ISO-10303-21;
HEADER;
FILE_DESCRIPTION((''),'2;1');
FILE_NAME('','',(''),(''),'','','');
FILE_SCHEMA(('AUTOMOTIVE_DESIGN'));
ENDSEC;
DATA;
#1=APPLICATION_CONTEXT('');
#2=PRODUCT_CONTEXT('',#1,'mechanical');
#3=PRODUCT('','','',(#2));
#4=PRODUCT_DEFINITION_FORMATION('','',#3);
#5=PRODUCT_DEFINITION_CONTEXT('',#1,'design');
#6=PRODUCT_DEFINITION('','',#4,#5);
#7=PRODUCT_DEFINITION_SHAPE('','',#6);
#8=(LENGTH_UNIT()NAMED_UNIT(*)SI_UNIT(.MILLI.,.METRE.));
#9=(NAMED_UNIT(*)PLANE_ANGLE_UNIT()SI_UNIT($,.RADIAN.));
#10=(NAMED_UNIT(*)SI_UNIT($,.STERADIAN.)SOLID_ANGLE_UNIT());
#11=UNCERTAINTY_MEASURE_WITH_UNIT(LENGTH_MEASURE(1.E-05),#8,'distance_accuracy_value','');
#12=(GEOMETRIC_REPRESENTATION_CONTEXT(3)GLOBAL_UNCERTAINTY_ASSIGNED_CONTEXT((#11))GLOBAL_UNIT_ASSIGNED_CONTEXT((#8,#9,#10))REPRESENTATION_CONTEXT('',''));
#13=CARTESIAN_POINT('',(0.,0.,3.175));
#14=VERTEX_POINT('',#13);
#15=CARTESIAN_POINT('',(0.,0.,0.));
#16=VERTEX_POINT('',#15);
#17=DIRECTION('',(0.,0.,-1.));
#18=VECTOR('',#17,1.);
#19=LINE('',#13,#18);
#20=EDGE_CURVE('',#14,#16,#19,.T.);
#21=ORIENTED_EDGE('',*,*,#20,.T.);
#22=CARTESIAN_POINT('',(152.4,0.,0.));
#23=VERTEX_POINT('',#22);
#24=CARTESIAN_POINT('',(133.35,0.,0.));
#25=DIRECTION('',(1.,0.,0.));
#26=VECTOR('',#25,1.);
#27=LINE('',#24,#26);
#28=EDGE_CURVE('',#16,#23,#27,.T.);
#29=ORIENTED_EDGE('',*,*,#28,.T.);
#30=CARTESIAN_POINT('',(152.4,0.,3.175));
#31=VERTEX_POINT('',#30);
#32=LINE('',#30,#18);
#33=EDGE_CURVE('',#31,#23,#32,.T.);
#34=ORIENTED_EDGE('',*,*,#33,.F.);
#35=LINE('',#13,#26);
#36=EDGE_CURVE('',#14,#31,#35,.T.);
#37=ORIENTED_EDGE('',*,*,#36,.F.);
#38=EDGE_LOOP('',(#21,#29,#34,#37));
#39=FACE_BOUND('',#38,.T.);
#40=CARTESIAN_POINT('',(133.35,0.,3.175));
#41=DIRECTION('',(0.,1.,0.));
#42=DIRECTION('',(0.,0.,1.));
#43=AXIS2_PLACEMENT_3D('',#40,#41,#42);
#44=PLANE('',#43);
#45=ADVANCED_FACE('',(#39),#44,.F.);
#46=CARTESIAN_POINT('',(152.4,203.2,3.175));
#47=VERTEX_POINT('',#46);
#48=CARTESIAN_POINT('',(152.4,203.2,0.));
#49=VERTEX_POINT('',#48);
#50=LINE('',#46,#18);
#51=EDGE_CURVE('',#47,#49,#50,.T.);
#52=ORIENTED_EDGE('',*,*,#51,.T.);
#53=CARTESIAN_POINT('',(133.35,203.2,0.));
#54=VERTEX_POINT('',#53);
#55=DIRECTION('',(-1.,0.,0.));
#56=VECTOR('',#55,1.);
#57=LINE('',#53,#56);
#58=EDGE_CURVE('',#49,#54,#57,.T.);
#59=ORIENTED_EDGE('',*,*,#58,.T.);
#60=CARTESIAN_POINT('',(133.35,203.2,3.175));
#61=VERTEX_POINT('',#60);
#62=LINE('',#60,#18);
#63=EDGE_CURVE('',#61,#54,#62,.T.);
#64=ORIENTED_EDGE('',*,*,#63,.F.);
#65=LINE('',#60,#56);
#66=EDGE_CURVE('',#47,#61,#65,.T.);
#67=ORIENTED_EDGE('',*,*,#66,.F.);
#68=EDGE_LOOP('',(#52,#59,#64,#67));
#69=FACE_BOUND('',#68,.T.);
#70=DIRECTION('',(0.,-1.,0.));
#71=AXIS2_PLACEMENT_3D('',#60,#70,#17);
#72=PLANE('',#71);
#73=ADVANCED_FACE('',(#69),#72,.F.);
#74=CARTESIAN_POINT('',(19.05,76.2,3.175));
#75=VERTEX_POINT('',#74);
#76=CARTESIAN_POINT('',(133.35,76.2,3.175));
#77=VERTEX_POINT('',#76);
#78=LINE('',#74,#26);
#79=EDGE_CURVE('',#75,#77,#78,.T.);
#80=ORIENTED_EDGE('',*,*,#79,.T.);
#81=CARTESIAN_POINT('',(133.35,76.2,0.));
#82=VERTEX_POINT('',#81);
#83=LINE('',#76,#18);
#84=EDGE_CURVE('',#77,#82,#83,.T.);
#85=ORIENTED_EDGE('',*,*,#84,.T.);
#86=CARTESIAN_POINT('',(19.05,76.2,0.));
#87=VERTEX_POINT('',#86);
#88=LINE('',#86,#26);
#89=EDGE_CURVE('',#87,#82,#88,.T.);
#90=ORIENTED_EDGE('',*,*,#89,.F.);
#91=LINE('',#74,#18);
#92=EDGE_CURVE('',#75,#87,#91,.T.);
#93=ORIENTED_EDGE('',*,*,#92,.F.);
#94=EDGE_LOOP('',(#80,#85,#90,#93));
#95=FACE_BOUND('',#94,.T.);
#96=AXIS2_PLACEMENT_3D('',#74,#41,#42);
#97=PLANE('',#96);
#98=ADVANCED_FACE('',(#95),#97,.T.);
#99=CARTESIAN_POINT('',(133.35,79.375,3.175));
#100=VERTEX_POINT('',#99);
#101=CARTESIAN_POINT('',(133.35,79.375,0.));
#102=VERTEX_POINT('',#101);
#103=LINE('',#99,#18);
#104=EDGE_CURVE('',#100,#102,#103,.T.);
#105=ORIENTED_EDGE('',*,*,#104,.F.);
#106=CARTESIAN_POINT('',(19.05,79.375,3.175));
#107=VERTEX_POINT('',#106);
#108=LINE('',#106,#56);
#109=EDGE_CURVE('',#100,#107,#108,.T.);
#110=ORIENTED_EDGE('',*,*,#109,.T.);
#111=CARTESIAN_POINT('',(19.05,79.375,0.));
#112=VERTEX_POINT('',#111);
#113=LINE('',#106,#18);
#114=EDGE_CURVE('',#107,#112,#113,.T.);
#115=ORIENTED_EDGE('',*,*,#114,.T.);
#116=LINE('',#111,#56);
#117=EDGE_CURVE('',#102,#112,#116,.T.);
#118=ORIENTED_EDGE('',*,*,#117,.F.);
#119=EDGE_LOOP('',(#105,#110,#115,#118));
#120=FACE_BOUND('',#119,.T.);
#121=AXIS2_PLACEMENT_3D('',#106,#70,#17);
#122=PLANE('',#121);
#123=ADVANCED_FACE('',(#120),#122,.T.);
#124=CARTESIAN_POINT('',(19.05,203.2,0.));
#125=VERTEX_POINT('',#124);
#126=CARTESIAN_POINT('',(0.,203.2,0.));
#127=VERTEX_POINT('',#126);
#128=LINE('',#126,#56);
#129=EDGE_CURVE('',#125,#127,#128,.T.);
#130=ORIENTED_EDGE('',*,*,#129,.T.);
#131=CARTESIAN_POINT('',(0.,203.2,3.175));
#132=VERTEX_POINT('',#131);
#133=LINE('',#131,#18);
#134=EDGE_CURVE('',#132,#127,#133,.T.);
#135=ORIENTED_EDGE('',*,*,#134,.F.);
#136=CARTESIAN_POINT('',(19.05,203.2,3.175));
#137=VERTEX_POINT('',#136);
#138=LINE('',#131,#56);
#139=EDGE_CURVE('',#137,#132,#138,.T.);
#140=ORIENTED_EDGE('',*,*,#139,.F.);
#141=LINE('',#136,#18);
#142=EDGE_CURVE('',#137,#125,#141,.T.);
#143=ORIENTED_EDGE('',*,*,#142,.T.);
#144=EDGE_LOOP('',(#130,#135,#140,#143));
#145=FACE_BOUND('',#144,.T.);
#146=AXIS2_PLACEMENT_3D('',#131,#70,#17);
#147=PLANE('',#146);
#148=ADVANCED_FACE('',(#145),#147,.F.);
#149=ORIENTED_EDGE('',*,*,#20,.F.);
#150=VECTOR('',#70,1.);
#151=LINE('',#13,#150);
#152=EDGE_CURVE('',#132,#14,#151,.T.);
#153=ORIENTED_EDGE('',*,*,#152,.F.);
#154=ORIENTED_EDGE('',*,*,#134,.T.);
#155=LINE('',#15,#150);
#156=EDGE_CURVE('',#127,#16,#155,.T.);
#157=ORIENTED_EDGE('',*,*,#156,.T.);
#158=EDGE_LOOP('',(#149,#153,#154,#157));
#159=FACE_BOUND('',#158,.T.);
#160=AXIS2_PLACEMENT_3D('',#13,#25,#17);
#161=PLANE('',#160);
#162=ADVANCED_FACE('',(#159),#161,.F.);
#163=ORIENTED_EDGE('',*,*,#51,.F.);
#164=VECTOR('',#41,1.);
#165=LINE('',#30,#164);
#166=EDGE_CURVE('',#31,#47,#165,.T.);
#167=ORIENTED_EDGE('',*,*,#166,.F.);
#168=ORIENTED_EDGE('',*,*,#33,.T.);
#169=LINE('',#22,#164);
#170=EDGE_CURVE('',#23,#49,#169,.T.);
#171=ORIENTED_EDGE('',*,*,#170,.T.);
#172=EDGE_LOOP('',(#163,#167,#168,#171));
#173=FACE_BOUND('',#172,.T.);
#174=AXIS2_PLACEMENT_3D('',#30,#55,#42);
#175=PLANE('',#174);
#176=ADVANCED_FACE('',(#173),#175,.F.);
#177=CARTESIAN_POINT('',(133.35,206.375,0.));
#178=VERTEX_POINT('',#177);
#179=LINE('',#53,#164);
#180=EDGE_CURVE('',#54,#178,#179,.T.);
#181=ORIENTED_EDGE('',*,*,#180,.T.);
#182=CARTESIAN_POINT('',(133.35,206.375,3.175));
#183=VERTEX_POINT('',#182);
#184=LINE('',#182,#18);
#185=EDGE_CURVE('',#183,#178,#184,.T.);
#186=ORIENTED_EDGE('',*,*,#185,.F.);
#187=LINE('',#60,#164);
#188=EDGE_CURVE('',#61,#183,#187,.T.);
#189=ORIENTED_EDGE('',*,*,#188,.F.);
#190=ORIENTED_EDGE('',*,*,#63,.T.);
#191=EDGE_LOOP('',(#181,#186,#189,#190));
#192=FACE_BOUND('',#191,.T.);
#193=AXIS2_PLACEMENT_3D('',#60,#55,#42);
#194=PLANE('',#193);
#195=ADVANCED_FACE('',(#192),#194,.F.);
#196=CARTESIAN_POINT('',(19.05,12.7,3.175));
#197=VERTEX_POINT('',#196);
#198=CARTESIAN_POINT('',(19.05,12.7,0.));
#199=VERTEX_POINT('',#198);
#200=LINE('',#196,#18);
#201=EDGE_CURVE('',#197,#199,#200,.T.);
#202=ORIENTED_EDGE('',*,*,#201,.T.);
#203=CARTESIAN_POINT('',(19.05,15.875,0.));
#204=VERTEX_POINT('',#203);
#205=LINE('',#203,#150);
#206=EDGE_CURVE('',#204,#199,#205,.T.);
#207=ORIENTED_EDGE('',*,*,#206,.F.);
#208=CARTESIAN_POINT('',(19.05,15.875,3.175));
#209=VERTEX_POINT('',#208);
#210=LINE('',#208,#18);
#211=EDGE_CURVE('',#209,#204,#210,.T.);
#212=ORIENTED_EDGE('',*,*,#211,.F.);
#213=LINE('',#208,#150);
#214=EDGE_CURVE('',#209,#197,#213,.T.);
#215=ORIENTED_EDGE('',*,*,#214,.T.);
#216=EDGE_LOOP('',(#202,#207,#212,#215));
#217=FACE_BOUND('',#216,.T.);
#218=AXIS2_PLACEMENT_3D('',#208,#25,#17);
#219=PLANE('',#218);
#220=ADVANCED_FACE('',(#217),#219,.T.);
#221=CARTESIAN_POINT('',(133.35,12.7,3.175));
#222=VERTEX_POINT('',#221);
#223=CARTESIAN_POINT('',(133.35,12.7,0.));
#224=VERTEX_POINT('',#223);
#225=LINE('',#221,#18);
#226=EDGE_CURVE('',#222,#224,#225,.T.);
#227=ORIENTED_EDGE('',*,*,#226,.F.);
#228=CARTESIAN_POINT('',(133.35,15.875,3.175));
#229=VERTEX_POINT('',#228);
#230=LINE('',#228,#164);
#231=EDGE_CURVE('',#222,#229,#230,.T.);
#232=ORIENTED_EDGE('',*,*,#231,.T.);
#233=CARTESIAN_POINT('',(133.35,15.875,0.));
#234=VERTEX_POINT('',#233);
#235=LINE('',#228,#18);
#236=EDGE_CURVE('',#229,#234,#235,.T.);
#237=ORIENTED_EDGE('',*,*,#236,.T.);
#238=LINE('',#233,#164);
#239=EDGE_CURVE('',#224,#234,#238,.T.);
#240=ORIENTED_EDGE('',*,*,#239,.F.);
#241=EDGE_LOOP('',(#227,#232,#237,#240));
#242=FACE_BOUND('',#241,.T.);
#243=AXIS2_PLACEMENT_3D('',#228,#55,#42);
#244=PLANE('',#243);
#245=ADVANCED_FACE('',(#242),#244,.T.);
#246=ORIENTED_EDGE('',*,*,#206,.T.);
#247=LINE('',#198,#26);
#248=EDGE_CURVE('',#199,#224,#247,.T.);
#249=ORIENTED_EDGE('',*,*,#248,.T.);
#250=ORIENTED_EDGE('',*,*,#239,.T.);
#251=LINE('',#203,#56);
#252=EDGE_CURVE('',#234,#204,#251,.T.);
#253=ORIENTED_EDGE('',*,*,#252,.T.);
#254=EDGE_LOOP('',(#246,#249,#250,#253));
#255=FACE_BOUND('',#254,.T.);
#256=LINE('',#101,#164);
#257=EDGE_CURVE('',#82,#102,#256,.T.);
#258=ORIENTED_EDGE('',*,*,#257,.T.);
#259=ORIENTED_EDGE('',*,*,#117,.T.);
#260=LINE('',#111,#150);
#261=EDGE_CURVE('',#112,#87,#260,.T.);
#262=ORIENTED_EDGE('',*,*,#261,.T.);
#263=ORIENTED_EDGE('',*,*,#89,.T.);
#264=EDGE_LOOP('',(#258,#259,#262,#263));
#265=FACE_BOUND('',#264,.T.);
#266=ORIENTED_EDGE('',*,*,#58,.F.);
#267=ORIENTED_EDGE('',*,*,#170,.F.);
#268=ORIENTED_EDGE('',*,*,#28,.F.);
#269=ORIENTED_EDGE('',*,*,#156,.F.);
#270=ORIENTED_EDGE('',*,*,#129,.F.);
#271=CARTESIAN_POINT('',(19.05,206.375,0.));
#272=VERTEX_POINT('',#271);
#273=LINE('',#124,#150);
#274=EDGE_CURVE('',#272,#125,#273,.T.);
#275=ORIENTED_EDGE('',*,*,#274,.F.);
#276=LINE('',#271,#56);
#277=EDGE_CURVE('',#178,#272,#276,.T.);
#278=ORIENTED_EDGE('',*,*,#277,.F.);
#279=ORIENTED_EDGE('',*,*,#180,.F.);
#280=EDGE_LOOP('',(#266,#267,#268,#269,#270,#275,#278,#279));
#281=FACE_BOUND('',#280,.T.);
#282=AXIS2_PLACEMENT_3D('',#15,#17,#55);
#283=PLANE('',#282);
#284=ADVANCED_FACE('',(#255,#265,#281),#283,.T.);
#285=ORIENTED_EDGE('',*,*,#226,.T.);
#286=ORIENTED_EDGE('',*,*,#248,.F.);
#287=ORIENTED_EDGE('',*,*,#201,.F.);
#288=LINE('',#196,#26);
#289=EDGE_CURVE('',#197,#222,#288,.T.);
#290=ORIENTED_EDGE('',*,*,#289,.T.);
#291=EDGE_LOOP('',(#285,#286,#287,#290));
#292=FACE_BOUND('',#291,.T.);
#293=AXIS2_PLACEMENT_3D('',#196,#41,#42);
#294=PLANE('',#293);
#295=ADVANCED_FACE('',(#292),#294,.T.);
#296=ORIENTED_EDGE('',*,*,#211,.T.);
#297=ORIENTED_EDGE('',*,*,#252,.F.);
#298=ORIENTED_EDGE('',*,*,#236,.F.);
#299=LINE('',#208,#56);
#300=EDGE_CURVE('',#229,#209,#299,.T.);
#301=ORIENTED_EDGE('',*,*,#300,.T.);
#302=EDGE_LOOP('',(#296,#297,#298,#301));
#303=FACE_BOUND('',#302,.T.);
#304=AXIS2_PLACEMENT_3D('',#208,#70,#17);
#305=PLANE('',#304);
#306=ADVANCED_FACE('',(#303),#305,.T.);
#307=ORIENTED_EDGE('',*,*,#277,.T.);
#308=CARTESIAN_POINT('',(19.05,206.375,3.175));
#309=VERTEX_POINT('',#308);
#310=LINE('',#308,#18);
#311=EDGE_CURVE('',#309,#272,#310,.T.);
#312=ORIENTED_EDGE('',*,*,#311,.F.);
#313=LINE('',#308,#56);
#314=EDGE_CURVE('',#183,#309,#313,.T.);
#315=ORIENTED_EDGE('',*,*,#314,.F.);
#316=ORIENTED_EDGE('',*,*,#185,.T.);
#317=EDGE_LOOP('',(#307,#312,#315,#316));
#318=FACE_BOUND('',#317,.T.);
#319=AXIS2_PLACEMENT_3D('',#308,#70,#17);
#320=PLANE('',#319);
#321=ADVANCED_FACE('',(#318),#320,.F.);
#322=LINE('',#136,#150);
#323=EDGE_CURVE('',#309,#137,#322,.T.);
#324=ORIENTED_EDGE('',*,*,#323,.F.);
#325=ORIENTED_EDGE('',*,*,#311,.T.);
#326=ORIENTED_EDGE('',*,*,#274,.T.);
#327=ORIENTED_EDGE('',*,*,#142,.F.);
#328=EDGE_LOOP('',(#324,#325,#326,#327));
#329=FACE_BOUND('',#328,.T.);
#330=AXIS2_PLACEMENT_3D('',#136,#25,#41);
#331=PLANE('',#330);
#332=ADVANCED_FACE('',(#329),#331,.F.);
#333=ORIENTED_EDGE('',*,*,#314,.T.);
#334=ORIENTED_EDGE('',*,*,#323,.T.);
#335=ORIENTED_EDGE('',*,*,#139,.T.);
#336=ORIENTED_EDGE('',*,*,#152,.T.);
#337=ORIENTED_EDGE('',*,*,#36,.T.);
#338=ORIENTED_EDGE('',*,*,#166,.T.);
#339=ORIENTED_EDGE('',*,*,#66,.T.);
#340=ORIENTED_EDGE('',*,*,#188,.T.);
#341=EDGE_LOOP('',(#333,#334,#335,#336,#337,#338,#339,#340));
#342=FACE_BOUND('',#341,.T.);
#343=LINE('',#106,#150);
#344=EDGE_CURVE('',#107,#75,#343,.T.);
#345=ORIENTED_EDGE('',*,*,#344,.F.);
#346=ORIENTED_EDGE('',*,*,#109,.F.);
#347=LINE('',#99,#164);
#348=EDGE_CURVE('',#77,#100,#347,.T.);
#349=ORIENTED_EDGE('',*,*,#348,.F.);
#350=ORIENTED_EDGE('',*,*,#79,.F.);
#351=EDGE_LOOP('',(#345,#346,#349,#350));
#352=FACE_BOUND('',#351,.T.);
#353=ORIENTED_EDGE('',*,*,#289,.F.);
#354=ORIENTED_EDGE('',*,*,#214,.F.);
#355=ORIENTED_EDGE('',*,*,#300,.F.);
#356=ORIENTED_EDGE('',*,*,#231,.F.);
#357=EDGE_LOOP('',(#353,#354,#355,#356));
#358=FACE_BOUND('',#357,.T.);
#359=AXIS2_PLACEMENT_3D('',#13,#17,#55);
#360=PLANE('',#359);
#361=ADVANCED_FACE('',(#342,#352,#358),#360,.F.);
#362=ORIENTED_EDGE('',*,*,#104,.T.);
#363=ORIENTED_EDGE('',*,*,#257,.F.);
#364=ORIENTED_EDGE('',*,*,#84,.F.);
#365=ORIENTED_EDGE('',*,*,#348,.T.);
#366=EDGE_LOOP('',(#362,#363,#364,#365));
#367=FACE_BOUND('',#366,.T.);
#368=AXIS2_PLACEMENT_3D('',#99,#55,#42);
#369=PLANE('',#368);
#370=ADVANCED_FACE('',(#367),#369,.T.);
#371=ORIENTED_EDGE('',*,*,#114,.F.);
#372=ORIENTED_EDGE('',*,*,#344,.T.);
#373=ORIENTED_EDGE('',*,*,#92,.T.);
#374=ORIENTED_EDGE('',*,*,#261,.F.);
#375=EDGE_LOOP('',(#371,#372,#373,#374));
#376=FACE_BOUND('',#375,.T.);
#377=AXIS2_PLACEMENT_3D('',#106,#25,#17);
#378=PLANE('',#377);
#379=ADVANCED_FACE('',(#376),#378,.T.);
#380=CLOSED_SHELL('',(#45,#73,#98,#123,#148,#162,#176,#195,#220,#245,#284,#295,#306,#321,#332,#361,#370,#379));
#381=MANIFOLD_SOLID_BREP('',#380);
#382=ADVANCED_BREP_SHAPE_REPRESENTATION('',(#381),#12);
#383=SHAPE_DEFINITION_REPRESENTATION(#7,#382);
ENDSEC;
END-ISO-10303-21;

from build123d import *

# Parameters (mm, degrees)
SKETCH2_W           = 114.3
SKETCH2_H           = 3.175
BOSS_EXTRUDE1_DEPTH = 3.175


with BuildPart() as part:
    # Sketch2 → Boss-Extrude1 (new body)
    with BuildSketch(Plane.XY):
        Polygon((133.35, 0), (152.4, 0), (152.4, 203.2), (133.35, 203.2), (133.35, 206.375), (19.05, 206.375), (19.05, 203.2), (0, 203.2), (0, 0), (19.05, 0), align=None)
        with Locations((76.2, 14.2875)):
            Rectangle(SKETCH2_W, SKETCH2_H, mode=Mode.SUBTRACT)
        with Locations((76.2, 77.7875)):
            Rectangle(SKETCH2_W, SKETCH2_H, mode=Mode.SUBTRACT)
    extrude(amount=BOSS_EXTRUDE1_DEPTH)


solid = part.part
